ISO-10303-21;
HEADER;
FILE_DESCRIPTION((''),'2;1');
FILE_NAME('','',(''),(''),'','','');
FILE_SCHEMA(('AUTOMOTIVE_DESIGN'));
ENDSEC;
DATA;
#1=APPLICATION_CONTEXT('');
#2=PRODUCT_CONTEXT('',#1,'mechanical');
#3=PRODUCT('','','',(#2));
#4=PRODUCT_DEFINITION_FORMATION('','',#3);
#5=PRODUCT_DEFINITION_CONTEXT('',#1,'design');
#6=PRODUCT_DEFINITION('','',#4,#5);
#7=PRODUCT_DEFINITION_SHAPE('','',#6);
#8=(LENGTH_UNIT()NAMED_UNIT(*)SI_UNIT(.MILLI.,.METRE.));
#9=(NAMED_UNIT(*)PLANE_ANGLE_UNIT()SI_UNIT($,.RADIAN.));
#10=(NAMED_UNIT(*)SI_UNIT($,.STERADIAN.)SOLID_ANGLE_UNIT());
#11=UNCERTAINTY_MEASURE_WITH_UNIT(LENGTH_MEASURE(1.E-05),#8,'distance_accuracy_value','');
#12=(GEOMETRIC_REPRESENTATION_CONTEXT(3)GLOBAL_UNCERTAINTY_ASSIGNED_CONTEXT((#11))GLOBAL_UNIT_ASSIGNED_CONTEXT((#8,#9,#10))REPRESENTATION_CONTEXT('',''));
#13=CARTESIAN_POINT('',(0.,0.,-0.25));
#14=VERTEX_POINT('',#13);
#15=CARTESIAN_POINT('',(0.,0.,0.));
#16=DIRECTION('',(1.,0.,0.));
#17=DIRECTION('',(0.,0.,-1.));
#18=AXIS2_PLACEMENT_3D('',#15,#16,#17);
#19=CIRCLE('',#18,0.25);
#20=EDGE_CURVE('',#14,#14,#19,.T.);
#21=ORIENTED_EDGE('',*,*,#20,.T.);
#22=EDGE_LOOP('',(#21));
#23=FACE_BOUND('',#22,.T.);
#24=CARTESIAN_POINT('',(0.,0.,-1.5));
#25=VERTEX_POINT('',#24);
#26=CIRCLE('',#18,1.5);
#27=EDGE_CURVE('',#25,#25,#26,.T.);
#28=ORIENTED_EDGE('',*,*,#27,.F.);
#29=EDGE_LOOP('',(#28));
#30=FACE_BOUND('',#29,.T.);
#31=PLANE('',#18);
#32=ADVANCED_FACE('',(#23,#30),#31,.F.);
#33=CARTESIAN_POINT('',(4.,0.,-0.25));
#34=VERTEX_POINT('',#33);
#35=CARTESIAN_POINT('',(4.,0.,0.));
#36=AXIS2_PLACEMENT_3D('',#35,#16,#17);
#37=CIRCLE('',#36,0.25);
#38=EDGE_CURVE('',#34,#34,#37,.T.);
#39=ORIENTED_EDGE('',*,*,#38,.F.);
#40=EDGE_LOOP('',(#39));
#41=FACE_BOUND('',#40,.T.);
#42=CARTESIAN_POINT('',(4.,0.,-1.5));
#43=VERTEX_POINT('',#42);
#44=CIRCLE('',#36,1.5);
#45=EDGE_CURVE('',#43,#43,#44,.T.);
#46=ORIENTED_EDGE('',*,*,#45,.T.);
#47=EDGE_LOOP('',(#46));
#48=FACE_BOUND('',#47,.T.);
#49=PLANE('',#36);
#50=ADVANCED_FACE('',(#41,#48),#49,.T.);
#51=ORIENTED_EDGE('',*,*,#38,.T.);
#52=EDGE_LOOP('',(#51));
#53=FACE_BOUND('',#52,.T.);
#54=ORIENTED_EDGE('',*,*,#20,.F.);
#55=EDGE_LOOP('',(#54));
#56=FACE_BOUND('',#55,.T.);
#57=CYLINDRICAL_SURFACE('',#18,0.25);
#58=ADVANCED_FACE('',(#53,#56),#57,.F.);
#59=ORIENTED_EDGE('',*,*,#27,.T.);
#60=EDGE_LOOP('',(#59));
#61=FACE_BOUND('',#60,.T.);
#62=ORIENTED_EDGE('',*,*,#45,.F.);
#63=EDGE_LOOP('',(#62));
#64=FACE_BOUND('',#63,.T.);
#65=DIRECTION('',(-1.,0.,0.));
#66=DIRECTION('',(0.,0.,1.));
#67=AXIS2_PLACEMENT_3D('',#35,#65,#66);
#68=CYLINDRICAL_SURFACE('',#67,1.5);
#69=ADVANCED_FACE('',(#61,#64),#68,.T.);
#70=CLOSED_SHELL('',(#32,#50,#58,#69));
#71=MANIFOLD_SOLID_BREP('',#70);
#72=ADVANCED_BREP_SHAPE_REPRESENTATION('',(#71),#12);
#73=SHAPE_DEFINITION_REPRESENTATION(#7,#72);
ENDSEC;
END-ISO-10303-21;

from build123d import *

# Parameters (mm, degrees)
SKETCH1_R           = 1.5
BOSS_EXTRUDE1_DEPTH = 4
SKETCH2_R           = 0.25
CUT_EXTRUDE1_DEPTH  = 4


with BuildPart() as part:
    # Sketch1 → Boss-Extrude1 (new body)
    with BuildSketch(Plane(origin=(0, 0, 0), x_dir=(0, 0, -1), z_dir=(1, 0, 0))):
        Circle(SKETCH1_R)
    extrude(amount=BOSS_EXTRUDE1_DEPTH)

    # Sketch2 → Cut-Extrude1 (cut)
    with BuildSketch(Plane(origin=(4, 0, 0), x_dir=(0, 0, -1), z_dir=(1, 0, 0))):
        Circle(SKETCH2_R)
    extrude(amount=-CUT_EXTRUDE1_DEPTH, mode=Mode.SUBTRACT)


solid = part.part
